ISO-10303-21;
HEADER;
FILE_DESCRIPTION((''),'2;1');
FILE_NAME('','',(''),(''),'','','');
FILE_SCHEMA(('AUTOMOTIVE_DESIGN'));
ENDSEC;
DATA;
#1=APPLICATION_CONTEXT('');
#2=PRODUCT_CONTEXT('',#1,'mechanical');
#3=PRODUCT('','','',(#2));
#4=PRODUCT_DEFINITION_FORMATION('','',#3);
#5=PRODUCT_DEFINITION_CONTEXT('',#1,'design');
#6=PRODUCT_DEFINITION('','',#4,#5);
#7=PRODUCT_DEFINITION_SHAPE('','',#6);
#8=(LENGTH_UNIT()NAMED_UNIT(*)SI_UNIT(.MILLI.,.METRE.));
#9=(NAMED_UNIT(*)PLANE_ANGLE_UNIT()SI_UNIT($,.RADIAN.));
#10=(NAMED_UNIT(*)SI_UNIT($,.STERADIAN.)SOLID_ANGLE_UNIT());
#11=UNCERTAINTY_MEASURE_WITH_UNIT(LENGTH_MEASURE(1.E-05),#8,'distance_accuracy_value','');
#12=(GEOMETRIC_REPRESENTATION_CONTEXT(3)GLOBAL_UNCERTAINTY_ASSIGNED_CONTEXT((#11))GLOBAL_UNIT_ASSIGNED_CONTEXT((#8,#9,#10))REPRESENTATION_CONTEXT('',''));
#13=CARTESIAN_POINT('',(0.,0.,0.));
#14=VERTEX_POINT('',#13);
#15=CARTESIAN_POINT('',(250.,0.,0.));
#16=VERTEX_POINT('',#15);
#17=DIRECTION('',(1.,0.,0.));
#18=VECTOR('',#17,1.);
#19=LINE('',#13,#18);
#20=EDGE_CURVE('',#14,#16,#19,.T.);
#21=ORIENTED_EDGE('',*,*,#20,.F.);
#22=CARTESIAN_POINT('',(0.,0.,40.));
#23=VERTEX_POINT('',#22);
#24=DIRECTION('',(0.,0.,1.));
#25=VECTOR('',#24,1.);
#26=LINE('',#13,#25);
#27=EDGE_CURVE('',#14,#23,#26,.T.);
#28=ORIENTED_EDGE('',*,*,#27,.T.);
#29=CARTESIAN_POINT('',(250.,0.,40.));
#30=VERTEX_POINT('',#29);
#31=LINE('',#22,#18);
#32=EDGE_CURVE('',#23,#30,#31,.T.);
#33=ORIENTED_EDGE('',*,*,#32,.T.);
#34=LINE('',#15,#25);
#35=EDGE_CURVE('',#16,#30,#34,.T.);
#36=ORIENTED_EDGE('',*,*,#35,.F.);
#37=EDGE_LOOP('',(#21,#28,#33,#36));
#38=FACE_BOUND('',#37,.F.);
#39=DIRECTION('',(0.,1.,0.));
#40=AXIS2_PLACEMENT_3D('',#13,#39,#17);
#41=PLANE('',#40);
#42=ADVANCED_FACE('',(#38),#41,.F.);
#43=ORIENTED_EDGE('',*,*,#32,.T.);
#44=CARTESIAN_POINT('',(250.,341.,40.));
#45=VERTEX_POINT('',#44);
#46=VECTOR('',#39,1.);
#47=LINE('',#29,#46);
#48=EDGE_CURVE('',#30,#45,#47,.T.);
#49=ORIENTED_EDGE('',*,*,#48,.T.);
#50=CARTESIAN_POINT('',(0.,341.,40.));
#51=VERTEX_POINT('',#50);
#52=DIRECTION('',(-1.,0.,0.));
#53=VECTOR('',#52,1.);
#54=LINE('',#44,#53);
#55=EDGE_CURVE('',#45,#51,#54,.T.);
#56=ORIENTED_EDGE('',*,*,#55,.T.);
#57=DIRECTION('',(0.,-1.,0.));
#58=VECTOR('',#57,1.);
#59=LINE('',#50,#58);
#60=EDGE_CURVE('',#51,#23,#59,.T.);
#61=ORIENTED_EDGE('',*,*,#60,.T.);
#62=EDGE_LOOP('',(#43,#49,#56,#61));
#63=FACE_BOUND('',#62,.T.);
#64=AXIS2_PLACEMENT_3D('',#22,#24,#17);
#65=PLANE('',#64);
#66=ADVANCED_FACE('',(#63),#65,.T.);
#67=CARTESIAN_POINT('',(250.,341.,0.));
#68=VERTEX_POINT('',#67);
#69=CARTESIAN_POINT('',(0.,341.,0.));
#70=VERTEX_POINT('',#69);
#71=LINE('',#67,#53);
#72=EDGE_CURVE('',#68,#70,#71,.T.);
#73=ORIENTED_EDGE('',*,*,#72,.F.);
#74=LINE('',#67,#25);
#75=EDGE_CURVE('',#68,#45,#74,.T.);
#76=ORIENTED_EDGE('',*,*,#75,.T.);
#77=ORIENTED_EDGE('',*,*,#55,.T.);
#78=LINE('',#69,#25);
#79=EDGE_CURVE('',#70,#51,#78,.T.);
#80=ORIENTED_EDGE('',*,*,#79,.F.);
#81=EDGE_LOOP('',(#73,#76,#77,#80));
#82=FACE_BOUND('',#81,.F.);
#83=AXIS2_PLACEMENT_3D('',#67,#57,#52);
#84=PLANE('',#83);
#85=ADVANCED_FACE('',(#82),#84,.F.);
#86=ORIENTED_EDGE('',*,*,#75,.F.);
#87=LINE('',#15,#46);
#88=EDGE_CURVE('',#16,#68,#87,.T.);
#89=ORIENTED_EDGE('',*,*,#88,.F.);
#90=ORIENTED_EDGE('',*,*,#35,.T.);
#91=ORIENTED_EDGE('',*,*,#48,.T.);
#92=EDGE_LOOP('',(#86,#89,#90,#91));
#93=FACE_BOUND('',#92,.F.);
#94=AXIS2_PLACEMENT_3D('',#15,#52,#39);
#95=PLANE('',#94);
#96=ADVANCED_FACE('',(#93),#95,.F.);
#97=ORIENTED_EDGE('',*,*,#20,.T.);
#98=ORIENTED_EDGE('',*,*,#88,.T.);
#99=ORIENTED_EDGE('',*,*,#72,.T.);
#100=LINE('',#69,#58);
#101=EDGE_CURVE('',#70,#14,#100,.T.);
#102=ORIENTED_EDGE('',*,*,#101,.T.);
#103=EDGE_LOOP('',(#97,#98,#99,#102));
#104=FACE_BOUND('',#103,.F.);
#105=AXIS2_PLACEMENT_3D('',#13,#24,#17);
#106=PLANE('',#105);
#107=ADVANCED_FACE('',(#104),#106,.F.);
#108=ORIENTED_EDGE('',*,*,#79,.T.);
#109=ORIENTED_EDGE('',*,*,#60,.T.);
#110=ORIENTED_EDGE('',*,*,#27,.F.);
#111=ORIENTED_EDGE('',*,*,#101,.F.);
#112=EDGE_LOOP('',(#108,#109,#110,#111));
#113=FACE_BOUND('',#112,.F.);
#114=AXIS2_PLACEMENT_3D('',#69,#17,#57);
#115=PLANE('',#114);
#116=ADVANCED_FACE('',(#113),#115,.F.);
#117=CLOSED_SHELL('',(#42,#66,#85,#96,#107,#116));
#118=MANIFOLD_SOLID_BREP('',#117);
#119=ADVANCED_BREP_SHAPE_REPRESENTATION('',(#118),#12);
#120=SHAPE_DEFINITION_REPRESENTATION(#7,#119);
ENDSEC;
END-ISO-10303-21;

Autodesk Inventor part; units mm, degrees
ref_plane "YZ Plane" through (0, 0, 0) normal (1, 0, 0) x (0, 1, 0)
ref_plane "XZ Plane" through (0, 0, 0) normal (0, 1, 0) x (-1, 0, 0)
ref_plane "XY Plane" through (0, 0, 0) normal (0, 0, 1) x (1, 0, 0)
sketch "Эскиз1" plane through (0, 0, 0) normal (0, 0, 1) x (1, 0, 0)
  line L0 (0, 0) -> (250, 0)
  line L1 (250, 0) -> (250, 341)
  line L2 (250, 341) -> (0, 341)
  line L3 (0, 341) -> (0, 0)
  dimension "d0" = 250
  dimension "d1" = 341
extrude "Выдавливание2" add sketch "Эскиз1" along normal blind 40
properties part number "N-Back_into" material "Древесно-стружечная плита"
